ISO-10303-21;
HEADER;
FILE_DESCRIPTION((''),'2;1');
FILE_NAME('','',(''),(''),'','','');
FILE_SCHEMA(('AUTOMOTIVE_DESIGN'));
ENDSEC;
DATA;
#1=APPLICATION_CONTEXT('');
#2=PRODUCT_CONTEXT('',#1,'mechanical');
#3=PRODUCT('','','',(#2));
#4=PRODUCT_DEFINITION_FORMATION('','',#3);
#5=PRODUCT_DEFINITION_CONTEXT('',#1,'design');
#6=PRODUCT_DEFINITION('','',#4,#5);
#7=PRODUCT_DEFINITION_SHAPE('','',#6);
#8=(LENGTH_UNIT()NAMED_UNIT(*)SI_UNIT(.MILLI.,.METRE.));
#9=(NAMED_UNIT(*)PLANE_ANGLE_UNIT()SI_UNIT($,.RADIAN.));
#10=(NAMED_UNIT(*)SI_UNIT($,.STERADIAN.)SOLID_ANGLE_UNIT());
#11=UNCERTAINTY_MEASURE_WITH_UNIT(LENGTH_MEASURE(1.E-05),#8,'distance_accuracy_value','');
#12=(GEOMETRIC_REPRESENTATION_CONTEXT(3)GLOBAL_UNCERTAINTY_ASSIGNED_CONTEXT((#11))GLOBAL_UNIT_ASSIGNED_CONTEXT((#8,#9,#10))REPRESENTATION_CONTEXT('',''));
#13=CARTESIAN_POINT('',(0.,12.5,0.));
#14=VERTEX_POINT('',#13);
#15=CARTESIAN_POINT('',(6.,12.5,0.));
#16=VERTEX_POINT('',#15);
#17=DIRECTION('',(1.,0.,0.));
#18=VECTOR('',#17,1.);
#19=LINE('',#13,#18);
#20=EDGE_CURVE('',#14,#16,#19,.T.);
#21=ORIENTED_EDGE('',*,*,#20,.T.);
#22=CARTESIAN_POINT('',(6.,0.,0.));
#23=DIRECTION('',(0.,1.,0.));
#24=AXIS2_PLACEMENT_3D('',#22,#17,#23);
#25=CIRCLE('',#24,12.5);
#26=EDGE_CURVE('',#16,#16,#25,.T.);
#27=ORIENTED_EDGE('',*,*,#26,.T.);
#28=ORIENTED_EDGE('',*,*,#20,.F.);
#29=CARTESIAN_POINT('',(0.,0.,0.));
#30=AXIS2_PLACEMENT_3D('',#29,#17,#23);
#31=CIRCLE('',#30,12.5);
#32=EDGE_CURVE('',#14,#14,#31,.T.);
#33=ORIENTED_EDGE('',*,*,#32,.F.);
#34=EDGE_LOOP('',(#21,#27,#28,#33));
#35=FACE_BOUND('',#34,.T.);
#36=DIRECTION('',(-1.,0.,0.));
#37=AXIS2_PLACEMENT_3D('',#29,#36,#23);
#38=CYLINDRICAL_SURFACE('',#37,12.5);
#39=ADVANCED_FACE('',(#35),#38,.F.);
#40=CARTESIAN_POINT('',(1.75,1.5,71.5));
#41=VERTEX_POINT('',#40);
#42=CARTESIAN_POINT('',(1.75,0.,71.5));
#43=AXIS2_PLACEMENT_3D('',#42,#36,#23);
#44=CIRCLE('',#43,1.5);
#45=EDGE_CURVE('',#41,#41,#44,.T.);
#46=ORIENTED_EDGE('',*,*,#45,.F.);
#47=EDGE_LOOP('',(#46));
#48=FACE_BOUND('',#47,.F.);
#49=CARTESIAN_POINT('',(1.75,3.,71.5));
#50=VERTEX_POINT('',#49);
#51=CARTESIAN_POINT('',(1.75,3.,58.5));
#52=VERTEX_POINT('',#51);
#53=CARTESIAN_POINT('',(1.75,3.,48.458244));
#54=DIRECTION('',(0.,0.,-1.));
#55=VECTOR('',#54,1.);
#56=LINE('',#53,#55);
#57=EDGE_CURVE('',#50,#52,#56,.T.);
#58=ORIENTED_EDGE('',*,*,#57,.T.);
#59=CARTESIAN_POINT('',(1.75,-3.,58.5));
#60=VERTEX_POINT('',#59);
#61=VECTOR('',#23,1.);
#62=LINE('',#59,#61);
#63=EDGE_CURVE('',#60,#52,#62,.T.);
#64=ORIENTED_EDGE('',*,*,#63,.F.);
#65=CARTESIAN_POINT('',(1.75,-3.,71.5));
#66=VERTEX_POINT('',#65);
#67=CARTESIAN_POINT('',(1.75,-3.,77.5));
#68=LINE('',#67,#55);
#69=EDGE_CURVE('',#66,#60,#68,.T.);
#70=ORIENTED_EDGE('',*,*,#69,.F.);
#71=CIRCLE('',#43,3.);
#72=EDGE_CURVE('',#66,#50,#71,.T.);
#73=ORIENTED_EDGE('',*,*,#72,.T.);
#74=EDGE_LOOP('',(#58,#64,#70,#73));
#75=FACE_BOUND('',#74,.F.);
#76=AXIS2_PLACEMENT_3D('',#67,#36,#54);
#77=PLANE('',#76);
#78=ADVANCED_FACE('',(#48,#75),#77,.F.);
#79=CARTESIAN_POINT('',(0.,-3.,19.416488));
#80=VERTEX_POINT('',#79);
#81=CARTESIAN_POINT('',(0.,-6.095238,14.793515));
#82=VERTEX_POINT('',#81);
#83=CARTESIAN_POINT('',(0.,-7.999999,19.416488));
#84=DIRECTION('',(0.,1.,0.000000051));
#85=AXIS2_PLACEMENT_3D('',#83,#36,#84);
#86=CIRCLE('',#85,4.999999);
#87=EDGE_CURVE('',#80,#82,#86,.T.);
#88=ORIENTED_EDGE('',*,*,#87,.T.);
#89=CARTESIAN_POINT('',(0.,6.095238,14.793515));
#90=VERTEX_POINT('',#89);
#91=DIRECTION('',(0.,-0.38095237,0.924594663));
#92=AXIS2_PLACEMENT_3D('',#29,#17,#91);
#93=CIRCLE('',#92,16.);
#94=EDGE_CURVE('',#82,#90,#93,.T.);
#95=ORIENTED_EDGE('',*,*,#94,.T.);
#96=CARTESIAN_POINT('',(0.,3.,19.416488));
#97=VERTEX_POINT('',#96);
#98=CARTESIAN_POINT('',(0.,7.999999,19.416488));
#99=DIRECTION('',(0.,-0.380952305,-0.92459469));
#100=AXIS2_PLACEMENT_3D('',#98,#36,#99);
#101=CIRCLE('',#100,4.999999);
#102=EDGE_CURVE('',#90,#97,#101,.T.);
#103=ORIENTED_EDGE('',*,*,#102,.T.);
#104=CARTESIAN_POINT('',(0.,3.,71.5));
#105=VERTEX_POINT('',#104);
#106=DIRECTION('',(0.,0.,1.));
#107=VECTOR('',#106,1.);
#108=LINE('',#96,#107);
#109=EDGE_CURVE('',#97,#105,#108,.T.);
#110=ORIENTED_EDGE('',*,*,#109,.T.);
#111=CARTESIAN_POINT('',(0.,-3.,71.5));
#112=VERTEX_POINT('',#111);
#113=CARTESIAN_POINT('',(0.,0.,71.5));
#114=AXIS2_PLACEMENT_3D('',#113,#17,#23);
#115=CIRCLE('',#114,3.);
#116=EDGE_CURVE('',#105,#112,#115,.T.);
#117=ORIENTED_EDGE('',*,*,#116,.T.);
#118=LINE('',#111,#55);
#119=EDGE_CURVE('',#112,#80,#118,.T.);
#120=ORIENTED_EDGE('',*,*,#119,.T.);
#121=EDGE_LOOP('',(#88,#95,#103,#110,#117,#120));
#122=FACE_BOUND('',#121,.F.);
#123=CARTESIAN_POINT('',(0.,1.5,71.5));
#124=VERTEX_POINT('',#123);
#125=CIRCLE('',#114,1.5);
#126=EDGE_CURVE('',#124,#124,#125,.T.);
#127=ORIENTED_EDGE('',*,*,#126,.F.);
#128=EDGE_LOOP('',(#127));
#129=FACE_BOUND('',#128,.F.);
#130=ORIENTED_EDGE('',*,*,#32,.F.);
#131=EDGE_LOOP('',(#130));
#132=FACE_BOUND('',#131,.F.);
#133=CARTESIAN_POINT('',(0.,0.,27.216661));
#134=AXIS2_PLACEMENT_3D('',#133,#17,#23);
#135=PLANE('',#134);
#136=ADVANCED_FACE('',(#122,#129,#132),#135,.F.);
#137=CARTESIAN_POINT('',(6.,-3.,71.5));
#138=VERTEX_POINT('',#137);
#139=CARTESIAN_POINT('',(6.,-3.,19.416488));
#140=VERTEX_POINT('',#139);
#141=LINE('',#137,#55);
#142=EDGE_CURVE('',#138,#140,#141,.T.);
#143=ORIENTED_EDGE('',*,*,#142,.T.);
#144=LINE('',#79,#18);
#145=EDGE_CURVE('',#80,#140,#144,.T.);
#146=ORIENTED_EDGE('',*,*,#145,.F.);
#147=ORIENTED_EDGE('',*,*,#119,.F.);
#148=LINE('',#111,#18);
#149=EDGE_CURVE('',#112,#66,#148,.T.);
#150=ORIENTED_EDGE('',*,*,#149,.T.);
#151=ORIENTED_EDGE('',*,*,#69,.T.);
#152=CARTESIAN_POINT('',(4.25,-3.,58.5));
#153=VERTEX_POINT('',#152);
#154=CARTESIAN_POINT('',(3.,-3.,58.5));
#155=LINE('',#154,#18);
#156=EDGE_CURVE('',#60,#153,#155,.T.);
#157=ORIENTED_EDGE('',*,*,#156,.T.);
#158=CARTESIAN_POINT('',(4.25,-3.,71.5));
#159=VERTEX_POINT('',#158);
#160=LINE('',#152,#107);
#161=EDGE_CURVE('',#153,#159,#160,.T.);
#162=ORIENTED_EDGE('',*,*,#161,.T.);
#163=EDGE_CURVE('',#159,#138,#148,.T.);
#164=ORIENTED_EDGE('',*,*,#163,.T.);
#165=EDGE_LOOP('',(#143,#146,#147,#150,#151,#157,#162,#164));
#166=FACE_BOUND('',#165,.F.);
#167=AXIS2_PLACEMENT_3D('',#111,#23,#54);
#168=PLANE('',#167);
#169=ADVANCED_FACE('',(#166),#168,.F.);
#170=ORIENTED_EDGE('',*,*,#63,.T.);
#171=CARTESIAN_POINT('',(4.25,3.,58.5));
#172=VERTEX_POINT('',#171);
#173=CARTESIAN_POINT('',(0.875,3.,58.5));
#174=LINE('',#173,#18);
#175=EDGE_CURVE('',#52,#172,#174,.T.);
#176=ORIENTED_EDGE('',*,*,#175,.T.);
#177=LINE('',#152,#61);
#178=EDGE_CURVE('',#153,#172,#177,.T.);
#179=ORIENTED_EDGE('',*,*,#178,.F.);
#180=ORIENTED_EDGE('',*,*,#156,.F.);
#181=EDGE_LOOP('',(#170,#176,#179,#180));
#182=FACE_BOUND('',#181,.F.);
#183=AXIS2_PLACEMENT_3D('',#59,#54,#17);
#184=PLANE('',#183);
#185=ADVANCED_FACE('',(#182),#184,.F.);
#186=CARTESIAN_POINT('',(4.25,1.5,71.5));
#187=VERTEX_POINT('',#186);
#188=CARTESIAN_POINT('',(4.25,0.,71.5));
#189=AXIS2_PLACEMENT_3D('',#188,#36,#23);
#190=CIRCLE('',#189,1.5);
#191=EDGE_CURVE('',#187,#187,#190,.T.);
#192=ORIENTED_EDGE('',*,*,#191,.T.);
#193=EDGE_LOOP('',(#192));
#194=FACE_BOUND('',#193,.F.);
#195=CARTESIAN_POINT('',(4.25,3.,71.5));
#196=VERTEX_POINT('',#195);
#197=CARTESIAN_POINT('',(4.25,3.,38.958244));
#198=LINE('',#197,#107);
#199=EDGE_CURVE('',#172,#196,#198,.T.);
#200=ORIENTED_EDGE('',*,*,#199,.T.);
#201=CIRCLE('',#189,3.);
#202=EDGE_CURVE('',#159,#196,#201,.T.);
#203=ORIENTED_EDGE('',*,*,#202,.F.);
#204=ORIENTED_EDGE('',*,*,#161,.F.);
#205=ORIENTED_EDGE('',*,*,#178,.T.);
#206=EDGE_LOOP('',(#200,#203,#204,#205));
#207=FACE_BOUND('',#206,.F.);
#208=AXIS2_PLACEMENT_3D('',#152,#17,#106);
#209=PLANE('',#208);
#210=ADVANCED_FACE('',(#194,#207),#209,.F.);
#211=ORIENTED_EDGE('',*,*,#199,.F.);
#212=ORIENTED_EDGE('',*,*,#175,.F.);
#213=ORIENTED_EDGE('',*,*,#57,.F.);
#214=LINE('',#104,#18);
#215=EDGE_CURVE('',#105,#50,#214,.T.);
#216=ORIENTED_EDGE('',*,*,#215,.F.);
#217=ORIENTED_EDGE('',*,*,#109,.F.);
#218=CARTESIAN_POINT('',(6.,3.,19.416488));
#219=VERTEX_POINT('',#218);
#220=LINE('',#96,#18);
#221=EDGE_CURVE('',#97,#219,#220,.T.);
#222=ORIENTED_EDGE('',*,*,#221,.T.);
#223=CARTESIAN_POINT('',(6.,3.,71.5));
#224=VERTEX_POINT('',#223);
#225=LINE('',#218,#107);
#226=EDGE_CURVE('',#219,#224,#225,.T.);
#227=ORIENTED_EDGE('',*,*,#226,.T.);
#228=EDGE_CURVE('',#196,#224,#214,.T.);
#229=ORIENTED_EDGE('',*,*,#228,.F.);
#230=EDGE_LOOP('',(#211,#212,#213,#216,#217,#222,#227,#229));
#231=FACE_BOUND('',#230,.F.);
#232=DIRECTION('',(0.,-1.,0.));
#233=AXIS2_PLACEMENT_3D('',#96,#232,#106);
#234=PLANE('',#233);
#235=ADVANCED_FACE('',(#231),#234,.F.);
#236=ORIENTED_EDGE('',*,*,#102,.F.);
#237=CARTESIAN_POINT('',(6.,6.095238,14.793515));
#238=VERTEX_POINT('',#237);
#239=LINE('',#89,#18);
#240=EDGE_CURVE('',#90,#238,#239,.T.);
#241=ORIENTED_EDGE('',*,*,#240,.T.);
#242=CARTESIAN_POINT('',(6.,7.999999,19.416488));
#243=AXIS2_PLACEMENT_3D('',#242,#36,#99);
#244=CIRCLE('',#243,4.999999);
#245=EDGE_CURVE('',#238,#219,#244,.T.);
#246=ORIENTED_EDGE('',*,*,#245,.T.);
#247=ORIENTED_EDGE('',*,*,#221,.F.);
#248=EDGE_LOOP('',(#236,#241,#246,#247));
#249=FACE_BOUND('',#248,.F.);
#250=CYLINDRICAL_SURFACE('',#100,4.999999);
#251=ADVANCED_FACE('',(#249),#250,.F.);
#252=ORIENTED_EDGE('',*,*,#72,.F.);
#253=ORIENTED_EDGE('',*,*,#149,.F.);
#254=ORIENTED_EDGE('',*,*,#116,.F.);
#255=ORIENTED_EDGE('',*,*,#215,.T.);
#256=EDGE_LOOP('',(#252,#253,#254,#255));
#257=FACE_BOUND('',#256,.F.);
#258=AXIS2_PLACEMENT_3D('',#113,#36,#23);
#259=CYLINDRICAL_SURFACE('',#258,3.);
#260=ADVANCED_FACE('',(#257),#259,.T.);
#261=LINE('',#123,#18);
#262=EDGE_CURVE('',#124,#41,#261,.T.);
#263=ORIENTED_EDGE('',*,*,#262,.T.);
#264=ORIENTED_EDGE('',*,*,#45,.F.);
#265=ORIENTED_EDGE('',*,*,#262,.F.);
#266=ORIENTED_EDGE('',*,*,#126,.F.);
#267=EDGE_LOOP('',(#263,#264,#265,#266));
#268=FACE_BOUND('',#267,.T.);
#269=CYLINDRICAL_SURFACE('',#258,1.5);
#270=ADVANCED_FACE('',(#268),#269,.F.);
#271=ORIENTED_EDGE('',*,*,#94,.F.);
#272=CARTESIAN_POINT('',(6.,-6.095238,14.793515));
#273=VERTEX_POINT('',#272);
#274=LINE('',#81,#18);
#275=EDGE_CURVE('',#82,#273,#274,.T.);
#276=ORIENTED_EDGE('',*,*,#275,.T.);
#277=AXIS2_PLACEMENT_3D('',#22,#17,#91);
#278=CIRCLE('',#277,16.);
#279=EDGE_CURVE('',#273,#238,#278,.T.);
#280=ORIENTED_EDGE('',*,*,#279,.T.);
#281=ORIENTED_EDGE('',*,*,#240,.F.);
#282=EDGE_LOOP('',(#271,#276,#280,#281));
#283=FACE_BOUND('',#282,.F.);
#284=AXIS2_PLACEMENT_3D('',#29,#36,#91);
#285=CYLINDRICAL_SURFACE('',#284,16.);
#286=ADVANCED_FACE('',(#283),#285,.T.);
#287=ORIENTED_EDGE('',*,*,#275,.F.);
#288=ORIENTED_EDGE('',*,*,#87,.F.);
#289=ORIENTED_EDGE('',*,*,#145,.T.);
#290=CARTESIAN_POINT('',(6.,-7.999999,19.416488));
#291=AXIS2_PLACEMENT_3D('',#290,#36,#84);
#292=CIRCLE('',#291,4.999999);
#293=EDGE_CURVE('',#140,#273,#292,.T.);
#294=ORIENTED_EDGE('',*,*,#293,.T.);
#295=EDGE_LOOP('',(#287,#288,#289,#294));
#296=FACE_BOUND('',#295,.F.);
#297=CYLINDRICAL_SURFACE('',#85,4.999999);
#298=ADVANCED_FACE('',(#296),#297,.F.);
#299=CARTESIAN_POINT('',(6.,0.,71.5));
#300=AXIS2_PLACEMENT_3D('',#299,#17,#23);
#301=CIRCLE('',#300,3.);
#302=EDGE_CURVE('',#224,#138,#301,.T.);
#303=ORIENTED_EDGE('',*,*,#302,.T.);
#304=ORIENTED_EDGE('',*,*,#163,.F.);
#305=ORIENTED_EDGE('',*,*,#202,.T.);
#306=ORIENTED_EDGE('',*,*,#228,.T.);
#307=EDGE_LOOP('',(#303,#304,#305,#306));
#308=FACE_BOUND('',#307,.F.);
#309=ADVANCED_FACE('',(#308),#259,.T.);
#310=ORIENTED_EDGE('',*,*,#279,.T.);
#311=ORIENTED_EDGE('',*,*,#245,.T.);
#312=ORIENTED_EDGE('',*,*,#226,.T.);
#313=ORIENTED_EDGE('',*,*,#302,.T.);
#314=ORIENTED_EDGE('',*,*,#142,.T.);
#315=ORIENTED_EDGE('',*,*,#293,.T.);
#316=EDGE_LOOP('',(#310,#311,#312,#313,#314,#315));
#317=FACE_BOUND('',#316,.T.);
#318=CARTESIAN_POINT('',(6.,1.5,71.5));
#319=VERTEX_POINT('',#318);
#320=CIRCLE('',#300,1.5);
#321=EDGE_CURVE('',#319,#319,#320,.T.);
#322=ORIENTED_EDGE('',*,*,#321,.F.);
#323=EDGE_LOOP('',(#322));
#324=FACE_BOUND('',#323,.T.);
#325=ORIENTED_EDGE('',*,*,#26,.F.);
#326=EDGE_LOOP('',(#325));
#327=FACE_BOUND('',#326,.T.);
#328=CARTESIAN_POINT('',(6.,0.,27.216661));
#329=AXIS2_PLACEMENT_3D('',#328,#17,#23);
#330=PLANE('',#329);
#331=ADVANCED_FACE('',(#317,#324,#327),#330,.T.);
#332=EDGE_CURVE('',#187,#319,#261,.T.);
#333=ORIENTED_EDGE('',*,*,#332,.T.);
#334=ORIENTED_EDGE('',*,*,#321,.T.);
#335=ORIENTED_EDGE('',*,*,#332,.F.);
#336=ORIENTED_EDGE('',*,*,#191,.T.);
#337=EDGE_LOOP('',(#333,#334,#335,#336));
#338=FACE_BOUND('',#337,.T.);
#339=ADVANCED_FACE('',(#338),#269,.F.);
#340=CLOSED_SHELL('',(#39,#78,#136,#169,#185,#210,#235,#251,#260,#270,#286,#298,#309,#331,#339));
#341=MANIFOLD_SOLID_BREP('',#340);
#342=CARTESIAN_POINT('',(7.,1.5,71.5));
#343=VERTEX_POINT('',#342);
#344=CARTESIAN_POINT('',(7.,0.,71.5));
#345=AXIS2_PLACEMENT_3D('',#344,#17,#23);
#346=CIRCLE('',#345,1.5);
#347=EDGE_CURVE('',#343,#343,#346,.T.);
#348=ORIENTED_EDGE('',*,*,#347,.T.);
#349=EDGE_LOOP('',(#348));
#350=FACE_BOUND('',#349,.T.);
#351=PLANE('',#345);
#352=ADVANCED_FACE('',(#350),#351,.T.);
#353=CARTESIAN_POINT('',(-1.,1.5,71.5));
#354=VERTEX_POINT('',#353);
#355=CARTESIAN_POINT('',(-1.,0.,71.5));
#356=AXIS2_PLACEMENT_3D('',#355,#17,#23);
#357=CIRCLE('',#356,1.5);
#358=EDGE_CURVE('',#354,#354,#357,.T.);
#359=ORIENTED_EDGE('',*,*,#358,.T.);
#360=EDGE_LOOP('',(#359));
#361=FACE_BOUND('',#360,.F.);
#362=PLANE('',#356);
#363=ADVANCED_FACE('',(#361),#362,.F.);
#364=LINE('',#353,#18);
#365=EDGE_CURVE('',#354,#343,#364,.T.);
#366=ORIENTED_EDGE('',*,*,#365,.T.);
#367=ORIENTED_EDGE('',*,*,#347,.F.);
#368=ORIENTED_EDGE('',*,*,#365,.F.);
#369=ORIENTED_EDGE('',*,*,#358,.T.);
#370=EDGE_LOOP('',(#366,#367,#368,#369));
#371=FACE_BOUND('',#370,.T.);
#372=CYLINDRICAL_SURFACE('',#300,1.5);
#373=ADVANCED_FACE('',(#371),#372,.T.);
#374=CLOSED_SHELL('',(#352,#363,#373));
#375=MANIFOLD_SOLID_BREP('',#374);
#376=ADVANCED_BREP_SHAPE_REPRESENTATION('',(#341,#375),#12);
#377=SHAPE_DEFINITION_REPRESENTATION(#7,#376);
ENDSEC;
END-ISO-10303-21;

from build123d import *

# Parameters (mm, degrees)
F0_R          = 12.5
F0_R_2        = 1.5
F1_DEPTH      = 6
F2_W          = 2.5
F2_H          = 6
F2_H_2        = 13
F3_DEPTH      = 19.001
F4_R          = 1.5
F5_DEPTH      = 1
F5_DEPTH_BACK = 7


with BuildPart() as f1:
    # F0 (on Right) → F1 (new body)
    with BuildSketch(Plane.YZ):
        with BuildLine():
            ThreePointArc((-3, 19.416488), (-3.845255, 16.634745), (-6.095238, 14.793515))
            ThreePointArc((-6.095238, 14.793515), (0, -16), (6.095238, 14.793515))
            ThreePointArc((6.095238, 14.793515), (3.845255, 16.634745), (3, 19.416488))
            Line((3, 19.416488), (3, 71.5))
            ThreePointArc((3, 71.5), (0, 74.5), (-3, 71.5))
            Line((-3, 71.5), (-3, 19.416488))
        make_face()
        Circle(F0_R, mode=Mode.SUBTRACT)
        with Locations((0, 71.5)):
            Circle(F0_R_2, mode=Mode.SUBTRACT)
    extrude(amount=F1_DEPTH)

    # F2 (on face) → F3 (cut, through all)
    with BuildSketch(Plane.XZ.offset(3)):
        with Locations((3, 74.5)):
            Rectangle(F2_W, F2_H)
        with Locations((3, 65)):
            Rectangle(F2_W, F2_H_2)
    extrude(amount=-F3_DEPTH, mode=Mode.SUBTRACT)


with BuildPart() as f5:
    # F4 (on face) → F5 (new body, two sides)
    with BuildSketch(Plane.YZ.offset(6)) as f5_sk:
        with Locations((0, 71.5)):
            Circle(F4_R)
    extrude(amount=F5_DEPTH)
    extrude(f5_sk.sketch, amount=-F5_DEPTH_BACK)


solid = Compound([f1.part, f5.part])
